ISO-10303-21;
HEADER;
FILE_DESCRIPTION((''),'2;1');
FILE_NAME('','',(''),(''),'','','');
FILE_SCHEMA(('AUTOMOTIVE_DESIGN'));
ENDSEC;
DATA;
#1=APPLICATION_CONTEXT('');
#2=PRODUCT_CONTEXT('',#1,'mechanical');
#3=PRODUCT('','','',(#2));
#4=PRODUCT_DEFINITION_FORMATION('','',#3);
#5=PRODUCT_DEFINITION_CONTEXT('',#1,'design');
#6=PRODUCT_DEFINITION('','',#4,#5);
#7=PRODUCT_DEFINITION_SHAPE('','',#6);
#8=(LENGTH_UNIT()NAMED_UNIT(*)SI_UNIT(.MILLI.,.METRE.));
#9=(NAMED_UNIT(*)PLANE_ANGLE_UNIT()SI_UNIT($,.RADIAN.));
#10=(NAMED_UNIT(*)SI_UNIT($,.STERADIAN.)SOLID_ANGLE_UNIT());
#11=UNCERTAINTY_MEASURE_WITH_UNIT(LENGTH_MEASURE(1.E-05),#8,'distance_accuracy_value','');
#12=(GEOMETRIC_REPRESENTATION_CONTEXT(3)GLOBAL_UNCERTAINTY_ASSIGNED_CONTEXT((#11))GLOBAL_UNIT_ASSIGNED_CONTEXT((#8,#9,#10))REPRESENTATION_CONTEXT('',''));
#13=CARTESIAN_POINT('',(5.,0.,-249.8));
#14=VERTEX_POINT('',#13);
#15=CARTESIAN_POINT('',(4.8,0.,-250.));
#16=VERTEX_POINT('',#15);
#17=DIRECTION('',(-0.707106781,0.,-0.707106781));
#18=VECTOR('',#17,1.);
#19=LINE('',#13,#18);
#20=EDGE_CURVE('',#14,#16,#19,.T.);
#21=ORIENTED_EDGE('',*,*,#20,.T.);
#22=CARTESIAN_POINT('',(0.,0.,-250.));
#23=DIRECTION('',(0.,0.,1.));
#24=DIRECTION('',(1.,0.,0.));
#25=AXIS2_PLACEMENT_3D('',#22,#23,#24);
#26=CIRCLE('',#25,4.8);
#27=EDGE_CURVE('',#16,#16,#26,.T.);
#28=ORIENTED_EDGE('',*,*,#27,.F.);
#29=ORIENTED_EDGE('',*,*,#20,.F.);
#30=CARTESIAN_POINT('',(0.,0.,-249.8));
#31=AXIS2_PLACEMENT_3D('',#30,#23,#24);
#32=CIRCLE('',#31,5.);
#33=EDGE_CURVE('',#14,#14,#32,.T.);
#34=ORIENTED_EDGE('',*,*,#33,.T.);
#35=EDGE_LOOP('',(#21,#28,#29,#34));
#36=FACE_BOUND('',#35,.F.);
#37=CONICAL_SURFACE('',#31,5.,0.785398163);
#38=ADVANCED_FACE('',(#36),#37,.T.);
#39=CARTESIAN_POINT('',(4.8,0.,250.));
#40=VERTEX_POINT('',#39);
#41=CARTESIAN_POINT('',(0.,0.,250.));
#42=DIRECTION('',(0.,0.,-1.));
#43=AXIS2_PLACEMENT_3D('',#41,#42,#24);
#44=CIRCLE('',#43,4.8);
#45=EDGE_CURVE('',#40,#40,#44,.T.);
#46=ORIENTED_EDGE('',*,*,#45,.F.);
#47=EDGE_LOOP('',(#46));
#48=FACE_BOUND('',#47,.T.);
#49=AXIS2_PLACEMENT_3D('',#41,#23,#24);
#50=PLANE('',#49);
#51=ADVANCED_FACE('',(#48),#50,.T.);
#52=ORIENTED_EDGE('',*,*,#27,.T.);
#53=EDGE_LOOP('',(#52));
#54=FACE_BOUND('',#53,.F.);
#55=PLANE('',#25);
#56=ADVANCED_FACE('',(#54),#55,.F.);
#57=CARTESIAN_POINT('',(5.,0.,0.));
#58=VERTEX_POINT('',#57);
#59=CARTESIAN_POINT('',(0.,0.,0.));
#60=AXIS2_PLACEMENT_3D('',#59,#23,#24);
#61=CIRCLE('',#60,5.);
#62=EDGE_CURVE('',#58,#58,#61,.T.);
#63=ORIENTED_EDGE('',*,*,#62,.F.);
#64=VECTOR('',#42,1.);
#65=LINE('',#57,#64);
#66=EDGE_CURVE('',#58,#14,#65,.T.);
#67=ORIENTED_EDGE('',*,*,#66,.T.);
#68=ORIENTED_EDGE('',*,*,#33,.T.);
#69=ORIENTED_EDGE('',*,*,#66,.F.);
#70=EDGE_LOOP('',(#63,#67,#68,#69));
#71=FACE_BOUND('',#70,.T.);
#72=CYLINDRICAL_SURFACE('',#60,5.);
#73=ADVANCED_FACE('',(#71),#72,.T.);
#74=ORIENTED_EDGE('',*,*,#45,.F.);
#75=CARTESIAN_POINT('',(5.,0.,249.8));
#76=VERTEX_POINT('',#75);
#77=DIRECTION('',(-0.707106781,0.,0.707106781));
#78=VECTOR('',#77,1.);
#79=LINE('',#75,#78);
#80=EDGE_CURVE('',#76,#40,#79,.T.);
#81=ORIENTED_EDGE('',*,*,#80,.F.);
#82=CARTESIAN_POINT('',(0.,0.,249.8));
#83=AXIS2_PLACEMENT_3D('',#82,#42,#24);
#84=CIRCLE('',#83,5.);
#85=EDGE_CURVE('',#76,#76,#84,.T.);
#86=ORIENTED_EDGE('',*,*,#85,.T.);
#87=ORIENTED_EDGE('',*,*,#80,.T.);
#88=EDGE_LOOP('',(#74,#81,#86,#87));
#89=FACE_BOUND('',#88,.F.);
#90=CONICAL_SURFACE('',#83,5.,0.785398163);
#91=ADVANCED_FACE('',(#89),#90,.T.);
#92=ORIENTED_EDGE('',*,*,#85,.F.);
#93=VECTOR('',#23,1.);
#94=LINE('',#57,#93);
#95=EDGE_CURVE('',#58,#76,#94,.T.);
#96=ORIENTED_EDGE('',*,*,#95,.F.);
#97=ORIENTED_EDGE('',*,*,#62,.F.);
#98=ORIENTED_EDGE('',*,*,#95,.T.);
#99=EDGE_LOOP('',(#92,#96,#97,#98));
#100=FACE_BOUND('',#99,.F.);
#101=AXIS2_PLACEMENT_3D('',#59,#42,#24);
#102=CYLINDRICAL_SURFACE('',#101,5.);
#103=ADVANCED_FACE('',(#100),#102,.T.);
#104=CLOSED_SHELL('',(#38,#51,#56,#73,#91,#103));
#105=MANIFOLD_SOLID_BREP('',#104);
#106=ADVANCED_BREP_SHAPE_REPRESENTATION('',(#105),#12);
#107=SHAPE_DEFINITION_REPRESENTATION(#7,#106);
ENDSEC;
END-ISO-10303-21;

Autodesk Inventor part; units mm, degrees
ref_plane "YZ Plane" through (0, 0, 0) normal (1, 0, 0) x (0, 1, 0)
ref_plane "XZ Plane" through (0, 0, 0) normal (0, 1, 0) x (-1, 0, 0)
ref_plane "XY Plane" through (0, 0, 0) normal (0, 0, 1) x (1, 0, 0)
sketch "Skizze1" plane through (0, 0, 0) normal (0, 0, 1) x (1, 0, 0)
  line L0 (0, -7) -> (0, 7) projected
  line L1 (-7, 0) -> (7, 0) projected
  circle A0 centre (0, 0) radius 5
  dimension "d0" = 10
extrude "Extrusion1" add sketch "Skizze1" along normal mid plane 500
chamfer "Fase1" distance 0.2 angle 45 1 edges at (-5, 0, 250)
chamfer "Fase2" distance 0.2 angle 45 1 edges at (-5, 0, -250)
properties part number "10mm_Alu_Linearwelle_500mm" material "Aluminum 6061-AHC"
